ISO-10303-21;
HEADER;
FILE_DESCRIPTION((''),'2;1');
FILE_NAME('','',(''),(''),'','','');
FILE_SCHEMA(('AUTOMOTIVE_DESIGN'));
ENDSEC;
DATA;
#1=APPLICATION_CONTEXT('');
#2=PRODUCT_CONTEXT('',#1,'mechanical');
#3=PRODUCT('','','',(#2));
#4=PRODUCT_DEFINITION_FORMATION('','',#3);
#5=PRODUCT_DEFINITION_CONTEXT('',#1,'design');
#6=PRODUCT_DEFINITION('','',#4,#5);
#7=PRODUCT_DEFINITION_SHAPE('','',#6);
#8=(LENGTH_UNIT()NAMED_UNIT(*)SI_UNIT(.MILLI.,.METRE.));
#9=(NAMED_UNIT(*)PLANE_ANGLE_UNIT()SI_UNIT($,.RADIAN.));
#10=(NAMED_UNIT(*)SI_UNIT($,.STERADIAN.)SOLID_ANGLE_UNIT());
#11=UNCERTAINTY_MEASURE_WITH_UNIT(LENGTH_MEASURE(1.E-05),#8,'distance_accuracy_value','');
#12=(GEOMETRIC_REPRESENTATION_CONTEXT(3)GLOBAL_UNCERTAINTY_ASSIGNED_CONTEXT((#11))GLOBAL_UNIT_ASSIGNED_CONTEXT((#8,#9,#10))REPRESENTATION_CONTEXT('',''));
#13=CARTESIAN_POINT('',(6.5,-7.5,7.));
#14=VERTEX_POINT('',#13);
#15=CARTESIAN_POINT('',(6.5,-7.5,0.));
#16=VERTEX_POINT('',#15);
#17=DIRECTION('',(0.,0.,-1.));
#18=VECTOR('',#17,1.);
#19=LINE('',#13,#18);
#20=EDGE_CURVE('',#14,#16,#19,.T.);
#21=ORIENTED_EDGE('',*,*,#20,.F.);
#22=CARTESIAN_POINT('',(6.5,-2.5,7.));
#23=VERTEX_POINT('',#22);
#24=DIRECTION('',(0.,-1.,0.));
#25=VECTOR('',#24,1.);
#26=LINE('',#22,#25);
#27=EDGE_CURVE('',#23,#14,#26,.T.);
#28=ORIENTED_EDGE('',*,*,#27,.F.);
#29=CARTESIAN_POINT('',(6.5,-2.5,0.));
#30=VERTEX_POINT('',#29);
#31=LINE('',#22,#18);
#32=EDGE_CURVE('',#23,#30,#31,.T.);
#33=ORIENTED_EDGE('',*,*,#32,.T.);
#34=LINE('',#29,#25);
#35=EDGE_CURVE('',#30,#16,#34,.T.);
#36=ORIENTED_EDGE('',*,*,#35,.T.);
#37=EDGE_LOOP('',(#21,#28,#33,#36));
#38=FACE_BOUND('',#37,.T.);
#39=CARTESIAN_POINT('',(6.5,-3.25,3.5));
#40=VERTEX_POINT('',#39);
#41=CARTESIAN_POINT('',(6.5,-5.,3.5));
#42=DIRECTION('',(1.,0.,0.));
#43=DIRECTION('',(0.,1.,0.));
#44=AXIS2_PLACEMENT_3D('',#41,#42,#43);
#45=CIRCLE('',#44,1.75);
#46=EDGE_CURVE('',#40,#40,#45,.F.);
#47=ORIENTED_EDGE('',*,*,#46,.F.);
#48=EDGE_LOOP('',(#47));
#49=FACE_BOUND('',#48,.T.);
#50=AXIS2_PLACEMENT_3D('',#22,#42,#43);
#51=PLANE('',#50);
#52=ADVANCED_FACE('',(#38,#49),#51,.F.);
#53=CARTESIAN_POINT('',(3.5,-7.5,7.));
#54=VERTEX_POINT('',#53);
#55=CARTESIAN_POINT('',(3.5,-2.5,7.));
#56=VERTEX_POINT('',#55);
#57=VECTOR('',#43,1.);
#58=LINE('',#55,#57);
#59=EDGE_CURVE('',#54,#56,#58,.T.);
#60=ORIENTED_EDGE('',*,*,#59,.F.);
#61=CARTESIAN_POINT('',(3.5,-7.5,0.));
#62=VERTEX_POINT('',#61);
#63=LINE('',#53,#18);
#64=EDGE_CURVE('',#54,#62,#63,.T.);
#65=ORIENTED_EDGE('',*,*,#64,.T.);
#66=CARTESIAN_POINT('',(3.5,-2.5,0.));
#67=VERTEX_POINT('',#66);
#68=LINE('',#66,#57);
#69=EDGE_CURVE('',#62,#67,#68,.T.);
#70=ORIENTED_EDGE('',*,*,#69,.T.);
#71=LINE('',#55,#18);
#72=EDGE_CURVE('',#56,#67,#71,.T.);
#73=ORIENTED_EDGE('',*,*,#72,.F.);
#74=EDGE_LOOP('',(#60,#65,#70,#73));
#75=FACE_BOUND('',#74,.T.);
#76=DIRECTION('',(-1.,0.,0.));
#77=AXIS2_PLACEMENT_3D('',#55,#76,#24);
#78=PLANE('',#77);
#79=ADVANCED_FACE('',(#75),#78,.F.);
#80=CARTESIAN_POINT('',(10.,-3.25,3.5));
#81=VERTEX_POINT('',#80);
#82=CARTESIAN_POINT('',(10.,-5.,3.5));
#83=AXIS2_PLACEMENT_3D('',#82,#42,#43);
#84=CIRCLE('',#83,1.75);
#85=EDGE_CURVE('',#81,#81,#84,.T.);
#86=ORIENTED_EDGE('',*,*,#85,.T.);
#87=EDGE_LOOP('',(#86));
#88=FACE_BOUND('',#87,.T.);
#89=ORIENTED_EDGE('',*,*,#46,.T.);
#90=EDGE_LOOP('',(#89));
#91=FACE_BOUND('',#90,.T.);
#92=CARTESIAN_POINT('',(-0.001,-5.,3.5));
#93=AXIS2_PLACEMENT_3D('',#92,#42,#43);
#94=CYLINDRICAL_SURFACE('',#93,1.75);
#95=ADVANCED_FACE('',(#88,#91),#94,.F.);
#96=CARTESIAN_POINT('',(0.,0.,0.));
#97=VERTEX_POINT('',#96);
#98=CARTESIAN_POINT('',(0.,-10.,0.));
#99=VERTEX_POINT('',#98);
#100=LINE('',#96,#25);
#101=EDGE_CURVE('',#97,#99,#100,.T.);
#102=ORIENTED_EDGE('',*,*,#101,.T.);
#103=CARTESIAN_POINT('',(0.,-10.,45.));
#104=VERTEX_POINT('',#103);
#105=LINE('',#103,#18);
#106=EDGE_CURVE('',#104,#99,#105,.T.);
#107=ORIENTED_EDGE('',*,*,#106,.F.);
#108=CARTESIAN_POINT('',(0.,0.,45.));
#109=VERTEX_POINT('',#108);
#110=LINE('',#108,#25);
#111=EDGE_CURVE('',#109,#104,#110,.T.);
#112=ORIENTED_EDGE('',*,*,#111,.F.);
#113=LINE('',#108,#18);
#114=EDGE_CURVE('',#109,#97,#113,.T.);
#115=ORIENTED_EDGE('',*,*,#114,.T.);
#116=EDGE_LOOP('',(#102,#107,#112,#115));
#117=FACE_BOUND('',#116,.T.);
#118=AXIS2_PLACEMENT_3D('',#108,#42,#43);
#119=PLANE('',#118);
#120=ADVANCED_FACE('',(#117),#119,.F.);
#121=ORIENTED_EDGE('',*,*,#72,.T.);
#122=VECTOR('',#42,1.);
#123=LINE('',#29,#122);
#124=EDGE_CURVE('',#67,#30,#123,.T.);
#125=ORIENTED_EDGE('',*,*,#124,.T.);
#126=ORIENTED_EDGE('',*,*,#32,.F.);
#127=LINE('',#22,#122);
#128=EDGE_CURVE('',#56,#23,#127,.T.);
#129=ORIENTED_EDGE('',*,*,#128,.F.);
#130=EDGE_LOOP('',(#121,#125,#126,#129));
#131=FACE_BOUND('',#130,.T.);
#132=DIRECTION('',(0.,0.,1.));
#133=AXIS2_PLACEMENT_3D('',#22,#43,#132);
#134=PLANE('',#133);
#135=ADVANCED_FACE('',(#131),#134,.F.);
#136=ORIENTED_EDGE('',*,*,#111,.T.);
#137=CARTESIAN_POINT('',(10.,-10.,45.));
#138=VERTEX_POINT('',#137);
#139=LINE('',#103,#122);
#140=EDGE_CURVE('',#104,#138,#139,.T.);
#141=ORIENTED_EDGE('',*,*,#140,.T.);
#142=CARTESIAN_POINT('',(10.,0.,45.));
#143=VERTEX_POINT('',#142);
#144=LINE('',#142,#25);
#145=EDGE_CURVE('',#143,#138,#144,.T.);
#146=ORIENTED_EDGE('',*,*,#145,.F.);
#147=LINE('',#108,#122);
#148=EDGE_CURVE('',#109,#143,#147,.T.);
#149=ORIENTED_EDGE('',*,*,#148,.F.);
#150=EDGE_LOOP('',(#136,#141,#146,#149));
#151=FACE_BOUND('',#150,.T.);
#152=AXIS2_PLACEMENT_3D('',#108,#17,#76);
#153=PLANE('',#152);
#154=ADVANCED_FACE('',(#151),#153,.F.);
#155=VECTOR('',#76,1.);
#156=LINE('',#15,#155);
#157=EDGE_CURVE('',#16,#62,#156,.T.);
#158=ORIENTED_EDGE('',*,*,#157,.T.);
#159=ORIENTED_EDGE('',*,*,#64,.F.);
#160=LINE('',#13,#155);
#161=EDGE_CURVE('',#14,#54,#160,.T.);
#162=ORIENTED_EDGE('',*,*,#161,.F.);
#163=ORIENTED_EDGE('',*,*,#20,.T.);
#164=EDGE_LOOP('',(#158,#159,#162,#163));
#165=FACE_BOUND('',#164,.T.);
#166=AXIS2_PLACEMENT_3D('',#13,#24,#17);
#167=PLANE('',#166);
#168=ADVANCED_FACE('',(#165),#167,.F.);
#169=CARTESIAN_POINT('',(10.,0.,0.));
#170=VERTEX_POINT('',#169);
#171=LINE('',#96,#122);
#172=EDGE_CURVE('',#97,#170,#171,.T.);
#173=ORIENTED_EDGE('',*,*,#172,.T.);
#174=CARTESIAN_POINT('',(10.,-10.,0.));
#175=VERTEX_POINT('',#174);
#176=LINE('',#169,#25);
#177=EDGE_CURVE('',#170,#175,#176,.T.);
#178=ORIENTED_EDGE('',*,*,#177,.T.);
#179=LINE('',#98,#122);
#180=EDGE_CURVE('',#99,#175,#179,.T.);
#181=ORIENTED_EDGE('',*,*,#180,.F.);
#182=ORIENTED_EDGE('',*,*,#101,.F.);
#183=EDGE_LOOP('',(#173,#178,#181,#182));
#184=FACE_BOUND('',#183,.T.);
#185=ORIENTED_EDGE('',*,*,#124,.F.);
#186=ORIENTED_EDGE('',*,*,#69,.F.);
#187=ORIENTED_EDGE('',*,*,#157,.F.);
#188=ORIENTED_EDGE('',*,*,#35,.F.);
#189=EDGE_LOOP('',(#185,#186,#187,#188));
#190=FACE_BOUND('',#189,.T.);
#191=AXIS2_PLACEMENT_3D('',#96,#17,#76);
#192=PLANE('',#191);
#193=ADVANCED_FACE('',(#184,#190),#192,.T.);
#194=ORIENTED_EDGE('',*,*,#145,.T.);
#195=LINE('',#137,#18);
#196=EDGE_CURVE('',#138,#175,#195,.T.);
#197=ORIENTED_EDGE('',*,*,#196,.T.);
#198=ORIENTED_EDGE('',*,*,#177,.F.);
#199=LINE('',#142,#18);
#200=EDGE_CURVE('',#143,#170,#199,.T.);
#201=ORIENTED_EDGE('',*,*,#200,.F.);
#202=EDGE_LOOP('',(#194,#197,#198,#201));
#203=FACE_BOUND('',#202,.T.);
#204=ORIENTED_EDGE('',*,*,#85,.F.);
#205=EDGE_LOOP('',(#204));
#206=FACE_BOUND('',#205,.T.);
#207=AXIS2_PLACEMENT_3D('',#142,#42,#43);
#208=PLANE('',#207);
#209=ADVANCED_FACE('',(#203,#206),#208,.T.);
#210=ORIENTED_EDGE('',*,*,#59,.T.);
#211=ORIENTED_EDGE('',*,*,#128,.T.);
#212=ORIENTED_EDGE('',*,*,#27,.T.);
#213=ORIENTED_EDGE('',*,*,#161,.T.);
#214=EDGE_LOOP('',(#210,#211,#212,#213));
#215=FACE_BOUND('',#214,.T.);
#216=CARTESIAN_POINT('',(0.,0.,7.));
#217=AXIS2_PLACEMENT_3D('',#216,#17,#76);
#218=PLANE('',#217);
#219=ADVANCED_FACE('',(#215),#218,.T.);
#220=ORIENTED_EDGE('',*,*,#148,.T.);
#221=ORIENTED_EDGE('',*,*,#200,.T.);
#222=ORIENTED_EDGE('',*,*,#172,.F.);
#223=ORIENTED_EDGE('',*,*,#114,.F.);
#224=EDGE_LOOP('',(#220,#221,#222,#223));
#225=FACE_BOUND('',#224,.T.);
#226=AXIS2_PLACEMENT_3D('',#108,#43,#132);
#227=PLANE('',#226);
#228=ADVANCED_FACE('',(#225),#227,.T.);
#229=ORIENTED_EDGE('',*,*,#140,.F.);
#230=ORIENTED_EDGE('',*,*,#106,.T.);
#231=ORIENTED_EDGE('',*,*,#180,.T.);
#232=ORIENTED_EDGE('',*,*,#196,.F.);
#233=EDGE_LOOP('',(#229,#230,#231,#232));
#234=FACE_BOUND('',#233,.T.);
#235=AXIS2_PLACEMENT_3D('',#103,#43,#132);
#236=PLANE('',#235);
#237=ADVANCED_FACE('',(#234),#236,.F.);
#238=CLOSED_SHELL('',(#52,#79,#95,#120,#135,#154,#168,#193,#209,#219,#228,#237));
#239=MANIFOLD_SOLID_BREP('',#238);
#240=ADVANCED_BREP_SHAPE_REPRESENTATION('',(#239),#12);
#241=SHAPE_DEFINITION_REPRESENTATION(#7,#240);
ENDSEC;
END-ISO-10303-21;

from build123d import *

# Parameters (mm, degrees)
SKETCH_1_W          = 10
SKETCH_1_H          = 10
EXTRUDE_1_DEPTH     = 45
SKETCH_2_W          = 3
SKETCH_2_H          = 5
CUT_EXTRUDE_1_DEPTH = 7
CUT_EXTRUDE_2_REACH = 49.17
SKETCH_3_R          = 1.75


with BuildPart() as part:
    # 草图1 → 凸台-拉伸1 (new body)
    with BuildSketch(Plane.XY):
        with Locations((5, -5)):
            Rectangle(SKETCH_1_W, SKETCH_1_H)
    extrude(amount=EXTRUDE_1_DEPTH)

    # 草图2 → 切除-拉伸1 (cut)
    with BuildSketch(Plane(origin=(0, 0, 0), x_dir=(-1, 0, 0), z_dir=(0, 0, -1))):
        with Locations((-5, -5)):
            Rectangle(SKETCH_2_W, SKETCH_2_H)
    extrude(amount=-CUT_EXTRUDE_1_DEPTH, mode=Mode.SUBTRACT)

    # 草图3 → 切除-拉伸2 (cut, up to next)
    with BuildSketch(Plane(origin=(10, 0, 0), x_dir=(0, 0, -1), z_dir=(1, 0, 0)), mode=Mode.PRIVATE) as cut_extrude_2_sk1:
        with Locations(Location((-3.5, -5, 0), (0, 0, 90))):
            Circle(SKETCH_3_R)
    cut_extrude_2_tool1 = extrude(cut_extrude_2_sk1.sketch, amount=-CUT_EXTRUDE_2_REACH, mode=Mode.PRIVATE) & part.part
    add(cut_extrude_2_tool1.solids().sort_by_distance((10, -5, 3.5))[0], mode=Mode.SUBTRACT)


solid = part.part
